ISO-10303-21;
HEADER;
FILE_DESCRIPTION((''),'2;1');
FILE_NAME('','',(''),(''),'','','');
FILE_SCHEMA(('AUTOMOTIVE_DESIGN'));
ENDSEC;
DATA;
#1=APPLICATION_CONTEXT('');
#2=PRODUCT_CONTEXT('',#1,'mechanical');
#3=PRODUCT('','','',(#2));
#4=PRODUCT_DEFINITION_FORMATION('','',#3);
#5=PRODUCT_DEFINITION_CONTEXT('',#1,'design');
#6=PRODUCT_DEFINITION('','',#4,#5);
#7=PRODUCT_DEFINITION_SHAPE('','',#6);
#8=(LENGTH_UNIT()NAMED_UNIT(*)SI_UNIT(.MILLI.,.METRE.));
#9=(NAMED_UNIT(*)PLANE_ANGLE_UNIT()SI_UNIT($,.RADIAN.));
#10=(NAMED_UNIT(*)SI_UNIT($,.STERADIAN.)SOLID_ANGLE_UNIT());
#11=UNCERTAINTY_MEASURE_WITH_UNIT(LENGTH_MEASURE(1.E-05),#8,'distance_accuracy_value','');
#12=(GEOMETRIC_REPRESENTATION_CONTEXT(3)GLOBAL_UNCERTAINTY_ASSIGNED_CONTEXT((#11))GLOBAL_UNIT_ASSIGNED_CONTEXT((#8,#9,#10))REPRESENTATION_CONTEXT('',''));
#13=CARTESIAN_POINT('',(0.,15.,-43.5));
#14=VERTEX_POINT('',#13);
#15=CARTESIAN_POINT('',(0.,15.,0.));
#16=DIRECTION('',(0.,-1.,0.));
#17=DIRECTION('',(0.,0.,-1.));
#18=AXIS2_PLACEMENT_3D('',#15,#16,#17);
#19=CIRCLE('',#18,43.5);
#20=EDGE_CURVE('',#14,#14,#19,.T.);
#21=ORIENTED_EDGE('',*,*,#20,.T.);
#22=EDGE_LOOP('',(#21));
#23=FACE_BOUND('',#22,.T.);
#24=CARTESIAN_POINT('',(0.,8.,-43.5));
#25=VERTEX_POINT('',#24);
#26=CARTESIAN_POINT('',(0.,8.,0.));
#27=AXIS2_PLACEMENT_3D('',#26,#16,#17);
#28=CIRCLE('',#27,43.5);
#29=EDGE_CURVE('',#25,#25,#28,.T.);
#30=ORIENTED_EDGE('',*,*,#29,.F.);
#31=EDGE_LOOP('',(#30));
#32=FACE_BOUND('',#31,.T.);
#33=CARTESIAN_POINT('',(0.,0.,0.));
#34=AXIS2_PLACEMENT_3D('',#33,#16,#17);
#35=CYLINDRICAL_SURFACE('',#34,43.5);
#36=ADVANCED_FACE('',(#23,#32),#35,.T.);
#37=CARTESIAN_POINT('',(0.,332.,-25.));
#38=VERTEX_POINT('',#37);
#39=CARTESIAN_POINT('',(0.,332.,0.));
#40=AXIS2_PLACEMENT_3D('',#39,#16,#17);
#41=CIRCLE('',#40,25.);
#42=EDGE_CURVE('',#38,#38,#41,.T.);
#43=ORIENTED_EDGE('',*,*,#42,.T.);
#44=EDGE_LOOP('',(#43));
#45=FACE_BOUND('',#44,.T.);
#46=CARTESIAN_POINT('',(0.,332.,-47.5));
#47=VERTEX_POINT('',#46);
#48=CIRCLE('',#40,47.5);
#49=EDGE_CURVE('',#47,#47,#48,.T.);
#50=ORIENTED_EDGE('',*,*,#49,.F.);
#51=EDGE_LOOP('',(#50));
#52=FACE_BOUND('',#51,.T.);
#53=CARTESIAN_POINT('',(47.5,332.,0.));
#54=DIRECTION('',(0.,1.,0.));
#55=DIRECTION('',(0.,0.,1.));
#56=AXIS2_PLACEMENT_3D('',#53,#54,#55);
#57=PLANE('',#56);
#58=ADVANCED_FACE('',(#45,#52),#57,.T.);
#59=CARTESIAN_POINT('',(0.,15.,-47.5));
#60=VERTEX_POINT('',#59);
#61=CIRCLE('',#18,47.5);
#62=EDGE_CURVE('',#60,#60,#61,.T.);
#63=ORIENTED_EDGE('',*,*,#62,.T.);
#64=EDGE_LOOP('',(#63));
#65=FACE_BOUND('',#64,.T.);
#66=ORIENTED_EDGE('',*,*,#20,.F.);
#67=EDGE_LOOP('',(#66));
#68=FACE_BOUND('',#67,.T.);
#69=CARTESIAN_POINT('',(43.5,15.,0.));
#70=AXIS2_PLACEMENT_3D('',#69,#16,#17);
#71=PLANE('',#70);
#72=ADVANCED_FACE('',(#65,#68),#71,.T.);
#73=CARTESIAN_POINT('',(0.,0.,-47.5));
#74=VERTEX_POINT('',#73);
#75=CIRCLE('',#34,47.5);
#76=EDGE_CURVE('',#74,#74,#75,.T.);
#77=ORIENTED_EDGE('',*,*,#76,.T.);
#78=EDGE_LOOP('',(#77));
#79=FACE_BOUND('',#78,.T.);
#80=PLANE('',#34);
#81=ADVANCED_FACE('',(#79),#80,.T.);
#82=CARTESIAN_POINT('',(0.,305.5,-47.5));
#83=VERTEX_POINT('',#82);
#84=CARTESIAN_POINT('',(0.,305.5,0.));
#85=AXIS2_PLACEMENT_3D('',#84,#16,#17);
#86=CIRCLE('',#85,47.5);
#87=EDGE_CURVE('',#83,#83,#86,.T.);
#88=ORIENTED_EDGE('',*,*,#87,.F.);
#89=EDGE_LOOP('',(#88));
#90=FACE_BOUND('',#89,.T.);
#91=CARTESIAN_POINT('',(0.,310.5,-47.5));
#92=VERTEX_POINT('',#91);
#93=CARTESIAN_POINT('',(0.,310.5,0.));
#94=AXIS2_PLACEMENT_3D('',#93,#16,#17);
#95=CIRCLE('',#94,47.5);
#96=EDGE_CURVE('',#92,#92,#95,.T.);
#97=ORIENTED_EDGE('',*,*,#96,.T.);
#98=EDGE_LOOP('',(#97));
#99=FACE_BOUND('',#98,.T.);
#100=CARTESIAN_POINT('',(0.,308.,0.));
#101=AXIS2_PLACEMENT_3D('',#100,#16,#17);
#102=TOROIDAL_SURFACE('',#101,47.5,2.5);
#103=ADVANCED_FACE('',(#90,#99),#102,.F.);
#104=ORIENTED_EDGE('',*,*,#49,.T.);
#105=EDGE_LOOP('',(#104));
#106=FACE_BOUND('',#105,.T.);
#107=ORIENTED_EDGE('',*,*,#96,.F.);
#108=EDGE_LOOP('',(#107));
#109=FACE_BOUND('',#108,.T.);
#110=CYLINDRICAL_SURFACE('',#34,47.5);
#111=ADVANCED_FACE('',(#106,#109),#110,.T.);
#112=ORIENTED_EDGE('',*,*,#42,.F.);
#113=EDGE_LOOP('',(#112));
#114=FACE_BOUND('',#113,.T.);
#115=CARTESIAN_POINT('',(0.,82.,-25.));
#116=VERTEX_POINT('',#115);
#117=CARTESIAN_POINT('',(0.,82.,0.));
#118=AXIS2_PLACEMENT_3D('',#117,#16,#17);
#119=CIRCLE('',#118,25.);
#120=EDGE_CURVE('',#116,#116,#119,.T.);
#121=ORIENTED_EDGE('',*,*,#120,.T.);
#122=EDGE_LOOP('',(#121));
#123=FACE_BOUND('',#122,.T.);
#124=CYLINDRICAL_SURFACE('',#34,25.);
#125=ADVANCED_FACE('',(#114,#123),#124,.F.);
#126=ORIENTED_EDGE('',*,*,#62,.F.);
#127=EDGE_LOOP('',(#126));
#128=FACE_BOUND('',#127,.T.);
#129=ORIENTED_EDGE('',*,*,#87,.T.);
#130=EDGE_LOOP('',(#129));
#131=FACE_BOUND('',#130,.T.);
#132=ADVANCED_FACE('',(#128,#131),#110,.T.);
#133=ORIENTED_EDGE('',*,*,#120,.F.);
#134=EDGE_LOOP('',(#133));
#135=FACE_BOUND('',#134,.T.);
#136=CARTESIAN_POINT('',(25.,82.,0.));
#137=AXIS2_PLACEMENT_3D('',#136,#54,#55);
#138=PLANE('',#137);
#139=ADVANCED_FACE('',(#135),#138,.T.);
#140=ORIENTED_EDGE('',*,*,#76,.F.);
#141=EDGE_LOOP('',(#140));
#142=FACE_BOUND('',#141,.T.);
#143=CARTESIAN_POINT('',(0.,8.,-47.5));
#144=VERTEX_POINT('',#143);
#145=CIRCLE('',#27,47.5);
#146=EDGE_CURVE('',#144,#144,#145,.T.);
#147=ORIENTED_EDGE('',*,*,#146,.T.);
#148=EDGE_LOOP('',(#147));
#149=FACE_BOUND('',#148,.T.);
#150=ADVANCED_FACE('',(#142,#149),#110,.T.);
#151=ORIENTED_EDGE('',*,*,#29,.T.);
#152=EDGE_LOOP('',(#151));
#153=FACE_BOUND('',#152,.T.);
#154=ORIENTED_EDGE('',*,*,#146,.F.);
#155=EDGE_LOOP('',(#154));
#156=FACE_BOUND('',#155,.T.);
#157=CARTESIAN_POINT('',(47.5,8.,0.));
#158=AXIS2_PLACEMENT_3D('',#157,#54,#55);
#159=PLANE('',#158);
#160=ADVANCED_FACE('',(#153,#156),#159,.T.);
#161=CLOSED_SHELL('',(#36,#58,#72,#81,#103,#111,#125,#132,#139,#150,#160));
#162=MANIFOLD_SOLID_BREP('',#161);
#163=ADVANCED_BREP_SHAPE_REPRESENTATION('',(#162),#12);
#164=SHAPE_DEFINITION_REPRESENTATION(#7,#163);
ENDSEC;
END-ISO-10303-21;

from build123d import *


with BuildPart() as part:
    # Sketch1 → Revolve1 (revolve)
    with BuildSketch(Plane.XY, mode=Mode.PRIVATE) as revolve1_sk:
        with BuildLine():
            Line((0, 0), (47.5, 0))
            Line((47.5, 0), (47.5, 8))
            Line((47.5, 8), (43.5, 8))
            Line((43.5, 8), (43.5, 15))
            Line((43.5, 15), (47.5, 15))
            Line((47.5, 15), (47.5, 305.5))
            ThreePointArc((47.5, 305.5), (45, 308), (47.5, 310.5))
            Line((47.5, 310.5), (47.5, 332))
            Line((47.5, 332), (25, 332))
            Line((25, 332), (25, 82))
            Line((25, 82), (0, 82))
            Line((0, 82), (0, 0))
        make_face()
    revolve(revolve1_sk.sketch.rotate(Axis((0, 0, 0), (0, 1, 0)), 90), axis=Axis((0, 0, 0), (0, 1, 0)))


solid = part.part
